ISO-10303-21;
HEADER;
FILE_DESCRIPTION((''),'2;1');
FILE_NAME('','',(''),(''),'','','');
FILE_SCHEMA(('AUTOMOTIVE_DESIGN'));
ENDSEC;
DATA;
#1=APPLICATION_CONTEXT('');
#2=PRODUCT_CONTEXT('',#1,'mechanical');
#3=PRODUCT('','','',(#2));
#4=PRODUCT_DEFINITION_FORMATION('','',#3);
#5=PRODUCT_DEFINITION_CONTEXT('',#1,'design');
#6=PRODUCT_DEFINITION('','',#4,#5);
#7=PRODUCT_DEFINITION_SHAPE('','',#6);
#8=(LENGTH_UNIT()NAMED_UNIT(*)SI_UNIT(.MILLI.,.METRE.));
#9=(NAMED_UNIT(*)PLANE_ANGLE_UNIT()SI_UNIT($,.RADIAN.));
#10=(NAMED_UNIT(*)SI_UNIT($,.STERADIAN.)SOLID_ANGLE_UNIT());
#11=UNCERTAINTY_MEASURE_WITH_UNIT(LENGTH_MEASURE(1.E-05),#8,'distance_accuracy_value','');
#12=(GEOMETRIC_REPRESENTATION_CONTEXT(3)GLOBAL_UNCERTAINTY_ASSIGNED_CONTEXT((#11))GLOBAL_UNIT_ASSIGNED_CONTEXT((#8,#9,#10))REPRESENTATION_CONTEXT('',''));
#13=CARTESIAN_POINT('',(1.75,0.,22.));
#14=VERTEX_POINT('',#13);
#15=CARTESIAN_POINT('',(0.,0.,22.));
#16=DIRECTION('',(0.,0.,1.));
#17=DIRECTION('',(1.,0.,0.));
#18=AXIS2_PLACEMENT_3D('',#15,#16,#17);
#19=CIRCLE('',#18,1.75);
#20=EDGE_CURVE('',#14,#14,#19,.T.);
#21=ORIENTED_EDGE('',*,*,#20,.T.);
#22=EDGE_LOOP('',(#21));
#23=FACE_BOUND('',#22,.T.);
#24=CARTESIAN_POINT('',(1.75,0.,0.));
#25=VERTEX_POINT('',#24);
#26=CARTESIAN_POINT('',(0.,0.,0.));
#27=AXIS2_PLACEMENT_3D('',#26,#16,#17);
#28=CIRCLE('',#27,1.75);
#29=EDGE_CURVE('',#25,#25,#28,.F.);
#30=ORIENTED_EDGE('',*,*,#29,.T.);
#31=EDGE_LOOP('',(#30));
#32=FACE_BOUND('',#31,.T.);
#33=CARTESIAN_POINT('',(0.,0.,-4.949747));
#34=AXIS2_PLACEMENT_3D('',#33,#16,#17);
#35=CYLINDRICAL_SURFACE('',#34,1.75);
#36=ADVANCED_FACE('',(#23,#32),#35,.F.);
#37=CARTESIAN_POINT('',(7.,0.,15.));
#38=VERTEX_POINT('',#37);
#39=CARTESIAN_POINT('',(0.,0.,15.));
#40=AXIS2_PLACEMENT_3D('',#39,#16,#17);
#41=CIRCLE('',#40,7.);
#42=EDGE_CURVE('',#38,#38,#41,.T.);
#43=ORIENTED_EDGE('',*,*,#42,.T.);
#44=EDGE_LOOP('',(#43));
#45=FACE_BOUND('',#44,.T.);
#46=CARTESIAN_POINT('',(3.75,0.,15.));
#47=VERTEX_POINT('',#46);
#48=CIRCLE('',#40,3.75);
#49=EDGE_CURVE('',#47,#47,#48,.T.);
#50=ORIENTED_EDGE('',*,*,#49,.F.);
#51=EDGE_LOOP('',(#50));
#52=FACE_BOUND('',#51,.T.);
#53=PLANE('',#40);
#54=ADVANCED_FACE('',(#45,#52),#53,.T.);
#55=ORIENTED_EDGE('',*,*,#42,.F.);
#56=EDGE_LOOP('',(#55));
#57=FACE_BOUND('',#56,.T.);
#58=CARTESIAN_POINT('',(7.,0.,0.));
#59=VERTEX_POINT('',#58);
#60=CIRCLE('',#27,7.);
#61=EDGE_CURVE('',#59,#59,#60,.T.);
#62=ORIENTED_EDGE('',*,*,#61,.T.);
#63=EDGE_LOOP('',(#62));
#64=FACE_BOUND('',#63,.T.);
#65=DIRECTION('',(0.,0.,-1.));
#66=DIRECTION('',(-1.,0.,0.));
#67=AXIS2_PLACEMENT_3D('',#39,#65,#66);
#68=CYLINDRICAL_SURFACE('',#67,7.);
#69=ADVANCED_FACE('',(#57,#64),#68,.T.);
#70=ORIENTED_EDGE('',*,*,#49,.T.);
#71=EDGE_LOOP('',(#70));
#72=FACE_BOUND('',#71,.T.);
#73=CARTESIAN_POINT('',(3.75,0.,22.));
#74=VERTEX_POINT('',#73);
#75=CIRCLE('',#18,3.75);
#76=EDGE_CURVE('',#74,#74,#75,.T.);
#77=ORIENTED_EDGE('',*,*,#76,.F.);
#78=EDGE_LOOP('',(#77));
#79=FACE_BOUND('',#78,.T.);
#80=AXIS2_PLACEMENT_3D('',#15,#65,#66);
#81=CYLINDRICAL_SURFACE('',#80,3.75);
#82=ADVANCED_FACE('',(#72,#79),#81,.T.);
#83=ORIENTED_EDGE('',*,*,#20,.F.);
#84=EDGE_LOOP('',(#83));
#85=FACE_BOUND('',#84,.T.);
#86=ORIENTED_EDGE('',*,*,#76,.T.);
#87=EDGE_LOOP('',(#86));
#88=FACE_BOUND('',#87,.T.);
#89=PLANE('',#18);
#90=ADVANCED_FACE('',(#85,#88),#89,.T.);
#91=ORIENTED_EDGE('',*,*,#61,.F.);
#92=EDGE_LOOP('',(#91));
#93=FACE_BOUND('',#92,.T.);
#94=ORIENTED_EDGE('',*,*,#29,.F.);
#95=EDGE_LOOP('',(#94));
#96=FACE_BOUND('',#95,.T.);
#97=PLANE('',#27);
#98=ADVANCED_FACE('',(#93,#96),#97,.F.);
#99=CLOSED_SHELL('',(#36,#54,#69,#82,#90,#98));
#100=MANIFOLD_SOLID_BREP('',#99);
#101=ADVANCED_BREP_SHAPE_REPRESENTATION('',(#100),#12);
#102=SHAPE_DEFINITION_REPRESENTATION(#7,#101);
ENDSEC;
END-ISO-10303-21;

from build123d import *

# Parameters (mm, degrees)
SKETCH1_R           = 7
BOSS_EXTRUDE1_DEPTH = 15
SKETCH2_R           = 3.75
BOSS_EXTRUDE2_DEPTH = 7
SKETCH3_R           = 1.75
CUT_EXTRUDE1_DEPTH  = 22


with BuildPart() as part:
    # Sketch1 → Boss-Extrude1 (new body)
    with BuildSketch(Plane(origin=(0, 0, 0), x_dir=(0, 1, 0), z_dir=(0, 0, 1))):
        with Locations(Location((0, 0, 0), (0, 0, 270))):
            Circle(SKETCH1_R)
    extrude(amount=BOSS_EXTRUDE1_DEPTH)

    # Sketch2 → Boss-Extrude2 (add)
    with BuildSketch(Plane.XY.offset(15)):
        Circle(SKETCH2_R)
    extrude(amount=BOSS_EXTRUDE2_DEPTH)

    # Sketch3 → Cut-Extrude1 (cut)
    with BuildSketch(Plane.XY.offset(22)):
        Circle(SKETCH3_R)
    extrude(amount=-CUT_EXTRUDE1_DEPTH, mode=Mode.SUBTRACT)


solid = part.part
